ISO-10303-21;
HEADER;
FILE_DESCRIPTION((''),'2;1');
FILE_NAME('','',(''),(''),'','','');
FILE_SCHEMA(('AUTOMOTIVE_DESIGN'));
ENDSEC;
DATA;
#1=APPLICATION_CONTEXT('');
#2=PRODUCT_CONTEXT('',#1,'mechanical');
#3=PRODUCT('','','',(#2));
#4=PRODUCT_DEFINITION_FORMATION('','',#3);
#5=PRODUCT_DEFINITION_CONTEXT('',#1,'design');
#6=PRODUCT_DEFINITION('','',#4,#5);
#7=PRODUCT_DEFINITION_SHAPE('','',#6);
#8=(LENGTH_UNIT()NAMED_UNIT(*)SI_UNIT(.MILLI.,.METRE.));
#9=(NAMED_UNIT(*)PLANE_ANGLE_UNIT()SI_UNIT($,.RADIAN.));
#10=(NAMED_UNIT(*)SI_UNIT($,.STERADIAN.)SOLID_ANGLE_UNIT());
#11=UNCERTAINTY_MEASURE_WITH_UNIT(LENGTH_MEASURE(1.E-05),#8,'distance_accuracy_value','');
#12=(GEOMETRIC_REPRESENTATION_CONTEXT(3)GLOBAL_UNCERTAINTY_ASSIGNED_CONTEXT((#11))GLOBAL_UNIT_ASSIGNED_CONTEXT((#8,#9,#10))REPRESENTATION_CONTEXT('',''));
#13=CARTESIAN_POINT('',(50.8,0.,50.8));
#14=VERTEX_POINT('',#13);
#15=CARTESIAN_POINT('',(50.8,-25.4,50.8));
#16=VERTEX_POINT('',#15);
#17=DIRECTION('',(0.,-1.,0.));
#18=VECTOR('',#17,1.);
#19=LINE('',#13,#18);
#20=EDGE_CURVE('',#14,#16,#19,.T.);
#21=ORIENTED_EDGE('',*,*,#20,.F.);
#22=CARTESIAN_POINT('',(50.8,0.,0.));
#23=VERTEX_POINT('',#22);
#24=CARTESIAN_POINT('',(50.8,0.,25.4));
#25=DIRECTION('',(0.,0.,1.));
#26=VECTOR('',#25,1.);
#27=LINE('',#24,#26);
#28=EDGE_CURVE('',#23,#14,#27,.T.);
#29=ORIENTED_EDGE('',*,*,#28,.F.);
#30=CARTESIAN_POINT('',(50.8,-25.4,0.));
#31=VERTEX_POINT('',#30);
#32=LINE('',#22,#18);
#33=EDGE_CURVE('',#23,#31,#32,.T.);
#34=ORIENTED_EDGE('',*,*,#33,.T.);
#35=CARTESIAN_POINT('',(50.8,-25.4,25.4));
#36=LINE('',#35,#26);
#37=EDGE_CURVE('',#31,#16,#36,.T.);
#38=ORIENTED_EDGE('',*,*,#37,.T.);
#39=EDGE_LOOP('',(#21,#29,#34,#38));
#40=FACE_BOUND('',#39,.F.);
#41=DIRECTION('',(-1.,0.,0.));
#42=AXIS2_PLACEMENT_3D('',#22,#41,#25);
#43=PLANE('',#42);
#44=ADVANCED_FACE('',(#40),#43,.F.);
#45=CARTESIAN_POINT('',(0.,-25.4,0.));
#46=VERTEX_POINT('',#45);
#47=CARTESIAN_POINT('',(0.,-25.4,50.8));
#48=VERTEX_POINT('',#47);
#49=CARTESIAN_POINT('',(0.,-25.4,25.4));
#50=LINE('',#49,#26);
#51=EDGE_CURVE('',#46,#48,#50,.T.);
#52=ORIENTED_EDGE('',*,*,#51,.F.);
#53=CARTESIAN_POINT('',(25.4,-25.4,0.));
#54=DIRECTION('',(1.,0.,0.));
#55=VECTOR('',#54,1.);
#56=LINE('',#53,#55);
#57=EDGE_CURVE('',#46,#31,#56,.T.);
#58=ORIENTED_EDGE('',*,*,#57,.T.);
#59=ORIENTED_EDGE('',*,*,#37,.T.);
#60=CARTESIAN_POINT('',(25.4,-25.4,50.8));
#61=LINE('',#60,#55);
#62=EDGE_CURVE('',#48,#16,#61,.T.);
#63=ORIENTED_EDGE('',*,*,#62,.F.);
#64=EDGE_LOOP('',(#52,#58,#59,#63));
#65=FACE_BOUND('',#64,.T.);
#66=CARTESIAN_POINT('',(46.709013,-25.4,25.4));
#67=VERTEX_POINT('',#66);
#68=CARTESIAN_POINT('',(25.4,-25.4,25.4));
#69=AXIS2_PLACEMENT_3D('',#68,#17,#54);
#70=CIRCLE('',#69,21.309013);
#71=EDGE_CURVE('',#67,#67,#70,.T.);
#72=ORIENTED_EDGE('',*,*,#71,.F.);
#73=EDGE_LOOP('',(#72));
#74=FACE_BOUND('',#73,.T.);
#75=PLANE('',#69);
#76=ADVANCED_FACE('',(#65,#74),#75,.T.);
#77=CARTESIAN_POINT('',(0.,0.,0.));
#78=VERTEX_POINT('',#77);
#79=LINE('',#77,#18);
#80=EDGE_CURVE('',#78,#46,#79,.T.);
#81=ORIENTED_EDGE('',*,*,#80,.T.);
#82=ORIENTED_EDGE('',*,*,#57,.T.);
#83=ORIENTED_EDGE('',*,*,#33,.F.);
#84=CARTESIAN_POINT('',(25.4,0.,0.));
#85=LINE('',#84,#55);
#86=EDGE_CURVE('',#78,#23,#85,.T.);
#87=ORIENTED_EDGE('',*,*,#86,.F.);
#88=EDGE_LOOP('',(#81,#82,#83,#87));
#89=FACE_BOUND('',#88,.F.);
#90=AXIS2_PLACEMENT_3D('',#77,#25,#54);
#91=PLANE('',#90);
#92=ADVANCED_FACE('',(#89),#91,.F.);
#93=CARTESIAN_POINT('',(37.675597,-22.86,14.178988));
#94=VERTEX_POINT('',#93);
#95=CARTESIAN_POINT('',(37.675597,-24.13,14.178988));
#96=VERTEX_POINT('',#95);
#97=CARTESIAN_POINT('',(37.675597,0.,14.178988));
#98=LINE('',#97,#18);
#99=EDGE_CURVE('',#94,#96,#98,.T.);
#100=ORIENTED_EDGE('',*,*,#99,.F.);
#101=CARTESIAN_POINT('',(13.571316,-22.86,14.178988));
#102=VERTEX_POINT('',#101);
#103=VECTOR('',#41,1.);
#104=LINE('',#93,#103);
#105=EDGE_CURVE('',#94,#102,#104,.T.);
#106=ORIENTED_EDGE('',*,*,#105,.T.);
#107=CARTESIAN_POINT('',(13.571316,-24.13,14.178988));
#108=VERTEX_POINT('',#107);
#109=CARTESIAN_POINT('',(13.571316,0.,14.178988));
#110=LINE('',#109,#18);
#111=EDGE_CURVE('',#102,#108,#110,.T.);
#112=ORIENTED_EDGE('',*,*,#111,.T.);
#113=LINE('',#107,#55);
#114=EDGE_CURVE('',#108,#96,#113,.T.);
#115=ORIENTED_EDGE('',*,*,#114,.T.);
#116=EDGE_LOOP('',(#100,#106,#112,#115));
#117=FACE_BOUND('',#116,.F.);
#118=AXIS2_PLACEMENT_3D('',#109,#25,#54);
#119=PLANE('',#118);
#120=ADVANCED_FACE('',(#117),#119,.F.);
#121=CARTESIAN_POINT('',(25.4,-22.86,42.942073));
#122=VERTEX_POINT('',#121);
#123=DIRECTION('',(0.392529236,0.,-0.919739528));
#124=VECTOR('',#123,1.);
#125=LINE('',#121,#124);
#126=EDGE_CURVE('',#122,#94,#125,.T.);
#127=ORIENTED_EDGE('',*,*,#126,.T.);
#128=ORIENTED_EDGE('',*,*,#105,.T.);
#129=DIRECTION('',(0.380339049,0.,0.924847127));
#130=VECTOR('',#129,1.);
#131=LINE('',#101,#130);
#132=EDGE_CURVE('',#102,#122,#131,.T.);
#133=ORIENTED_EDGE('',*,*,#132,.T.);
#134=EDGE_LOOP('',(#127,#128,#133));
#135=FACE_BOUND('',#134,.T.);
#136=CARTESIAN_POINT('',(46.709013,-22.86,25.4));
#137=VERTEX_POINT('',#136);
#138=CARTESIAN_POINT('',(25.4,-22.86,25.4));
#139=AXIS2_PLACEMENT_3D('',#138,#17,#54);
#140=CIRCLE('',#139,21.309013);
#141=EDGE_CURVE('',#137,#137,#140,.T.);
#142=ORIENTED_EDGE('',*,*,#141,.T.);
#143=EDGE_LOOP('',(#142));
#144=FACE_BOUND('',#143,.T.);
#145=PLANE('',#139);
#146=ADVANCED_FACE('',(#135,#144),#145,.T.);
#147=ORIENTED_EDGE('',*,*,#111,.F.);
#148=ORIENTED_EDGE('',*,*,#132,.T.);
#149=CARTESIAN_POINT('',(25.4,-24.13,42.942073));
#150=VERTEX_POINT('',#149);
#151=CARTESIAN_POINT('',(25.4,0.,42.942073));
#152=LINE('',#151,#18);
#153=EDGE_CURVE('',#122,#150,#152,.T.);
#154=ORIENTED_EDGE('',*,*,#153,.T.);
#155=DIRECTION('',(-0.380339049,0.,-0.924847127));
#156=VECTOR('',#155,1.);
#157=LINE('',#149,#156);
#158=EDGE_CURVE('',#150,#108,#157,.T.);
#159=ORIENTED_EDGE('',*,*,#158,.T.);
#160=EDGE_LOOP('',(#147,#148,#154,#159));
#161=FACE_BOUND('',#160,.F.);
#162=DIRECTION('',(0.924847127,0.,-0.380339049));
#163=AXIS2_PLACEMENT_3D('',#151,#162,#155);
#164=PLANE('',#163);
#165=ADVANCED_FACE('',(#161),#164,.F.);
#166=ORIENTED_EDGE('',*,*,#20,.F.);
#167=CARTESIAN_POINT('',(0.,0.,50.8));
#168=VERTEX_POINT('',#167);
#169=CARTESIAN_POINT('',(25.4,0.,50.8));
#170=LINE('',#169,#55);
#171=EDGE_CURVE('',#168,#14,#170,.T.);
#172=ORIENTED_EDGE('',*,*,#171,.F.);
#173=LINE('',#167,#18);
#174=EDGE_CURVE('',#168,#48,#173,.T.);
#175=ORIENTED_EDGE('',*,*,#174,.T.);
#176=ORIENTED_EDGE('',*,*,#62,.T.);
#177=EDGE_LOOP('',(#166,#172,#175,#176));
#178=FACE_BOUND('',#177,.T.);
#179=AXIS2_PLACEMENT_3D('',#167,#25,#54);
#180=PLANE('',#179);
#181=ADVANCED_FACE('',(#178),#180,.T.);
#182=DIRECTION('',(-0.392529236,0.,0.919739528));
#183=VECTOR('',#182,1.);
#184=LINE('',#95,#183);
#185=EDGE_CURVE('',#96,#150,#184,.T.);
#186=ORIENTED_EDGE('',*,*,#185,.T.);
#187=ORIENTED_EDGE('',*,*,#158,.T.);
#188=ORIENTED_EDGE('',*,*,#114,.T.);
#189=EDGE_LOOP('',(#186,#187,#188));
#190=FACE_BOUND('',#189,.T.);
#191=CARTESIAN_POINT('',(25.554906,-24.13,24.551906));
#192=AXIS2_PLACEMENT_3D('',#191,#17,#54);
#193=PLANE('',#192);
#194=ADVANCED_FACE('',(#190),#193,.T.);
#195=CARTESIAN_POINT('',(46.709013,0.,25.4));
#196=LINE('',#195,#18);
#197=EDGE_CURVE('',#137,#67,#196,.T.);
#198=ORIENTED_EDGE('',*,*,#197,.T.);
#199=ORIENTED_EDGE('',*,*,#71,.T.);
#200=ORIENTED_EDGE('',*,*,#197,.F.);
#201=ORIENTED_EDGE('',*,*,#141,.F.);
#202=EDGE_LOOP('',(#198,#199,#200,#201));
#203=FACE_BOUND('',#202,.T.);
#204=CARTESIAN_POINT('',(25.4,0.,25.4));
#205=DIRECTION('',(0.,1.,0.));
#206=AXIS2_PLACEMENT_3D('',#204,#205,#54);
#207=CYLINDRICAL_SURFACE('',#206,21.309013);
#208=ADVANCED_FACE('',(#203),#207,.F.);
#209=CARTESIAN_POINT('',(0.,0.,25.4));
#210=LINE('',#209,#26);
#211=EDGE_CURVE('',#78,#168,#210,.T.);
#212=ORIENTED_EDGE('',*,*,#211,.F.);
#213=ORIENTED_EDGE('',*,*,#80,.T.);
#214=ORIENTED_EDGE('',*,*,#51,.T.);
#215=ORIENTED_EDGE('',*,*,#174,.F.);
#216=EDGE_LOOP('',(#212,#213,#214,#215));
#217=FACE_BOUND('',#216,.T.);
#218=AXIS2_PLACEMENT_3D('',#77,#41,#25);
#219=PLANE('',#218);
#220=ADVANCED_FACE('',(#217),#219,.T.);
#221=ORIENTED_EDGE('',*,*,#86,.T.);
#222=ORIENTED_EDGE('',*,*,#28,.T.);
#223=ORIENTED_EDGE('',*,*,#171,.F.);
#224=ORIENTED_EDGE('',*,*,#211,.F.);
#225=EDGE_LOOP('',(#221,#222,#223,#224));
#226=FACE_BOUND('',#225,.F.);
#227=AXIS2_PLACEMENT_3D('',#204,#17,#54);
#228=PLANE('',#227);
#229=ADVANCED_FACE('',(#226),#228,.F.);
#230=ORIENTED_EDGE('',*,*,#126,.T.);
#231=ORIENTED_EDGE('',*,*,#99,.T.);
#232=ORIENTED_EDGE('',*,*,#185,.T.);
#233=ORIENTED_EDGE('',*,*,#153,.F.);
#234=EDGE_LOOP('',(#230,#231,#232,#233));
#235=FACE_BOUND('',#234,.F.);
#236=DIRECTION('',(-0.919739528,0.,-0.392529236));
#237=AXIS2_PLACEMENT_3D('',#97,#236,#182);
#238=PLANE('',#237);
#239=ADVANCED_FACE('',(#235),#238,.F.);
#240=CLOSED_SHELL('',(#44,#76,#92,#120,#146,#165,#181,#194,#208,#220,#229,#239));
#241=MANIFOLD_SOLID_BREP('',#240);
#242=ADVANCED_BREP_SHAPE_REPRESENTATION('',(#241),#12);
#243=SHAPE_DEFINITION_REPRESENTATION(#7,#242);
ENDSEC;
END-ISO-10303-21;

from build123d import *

# Parameters (mm, degrees)
F0_W     = 50.8
F0_H     = 50.8
F0_R     = 21.309013
F1_DEPTH = 25.4
F2_DEPTH = 22.86
F3_DEPTH = 24.13


with BuildPart() as f1:
    # F0 (on Front) → F1 (new body)
    with BuildSketch(Plane.XZ):
        with Locations((25.4, 25.4)):
            Rectangle(F0_W, F0_H)
        with Locations((25.4, 25.4)):
            Circle(F0_R, mode=Mode.SUBTRACT)
    extrude(amount=F1_DEPTH)

    # F0 (on Front) → F2 (join)
    with BuildSketch(Plane.XZ):
        with Locations((25.4, 25.4)):
            Circle(F0_R)
        Polygon((13.571316, 14.178988), (25.4, 42.942073), (37.675597, 14.178988), align=None, mode=Mode.SUBTRACT)
    extrude(amount=F2_DEPTH)

    # F0 (on Front) → F3 (join)
    with BuildSketch(Plane.XZ):
        Polygon((37.675597, 14.178988), (25.4, 42.942073), (13.571316, 14.178988), align=None)
    extrude(amount=F3_DEPTH)


solid = f1.part
